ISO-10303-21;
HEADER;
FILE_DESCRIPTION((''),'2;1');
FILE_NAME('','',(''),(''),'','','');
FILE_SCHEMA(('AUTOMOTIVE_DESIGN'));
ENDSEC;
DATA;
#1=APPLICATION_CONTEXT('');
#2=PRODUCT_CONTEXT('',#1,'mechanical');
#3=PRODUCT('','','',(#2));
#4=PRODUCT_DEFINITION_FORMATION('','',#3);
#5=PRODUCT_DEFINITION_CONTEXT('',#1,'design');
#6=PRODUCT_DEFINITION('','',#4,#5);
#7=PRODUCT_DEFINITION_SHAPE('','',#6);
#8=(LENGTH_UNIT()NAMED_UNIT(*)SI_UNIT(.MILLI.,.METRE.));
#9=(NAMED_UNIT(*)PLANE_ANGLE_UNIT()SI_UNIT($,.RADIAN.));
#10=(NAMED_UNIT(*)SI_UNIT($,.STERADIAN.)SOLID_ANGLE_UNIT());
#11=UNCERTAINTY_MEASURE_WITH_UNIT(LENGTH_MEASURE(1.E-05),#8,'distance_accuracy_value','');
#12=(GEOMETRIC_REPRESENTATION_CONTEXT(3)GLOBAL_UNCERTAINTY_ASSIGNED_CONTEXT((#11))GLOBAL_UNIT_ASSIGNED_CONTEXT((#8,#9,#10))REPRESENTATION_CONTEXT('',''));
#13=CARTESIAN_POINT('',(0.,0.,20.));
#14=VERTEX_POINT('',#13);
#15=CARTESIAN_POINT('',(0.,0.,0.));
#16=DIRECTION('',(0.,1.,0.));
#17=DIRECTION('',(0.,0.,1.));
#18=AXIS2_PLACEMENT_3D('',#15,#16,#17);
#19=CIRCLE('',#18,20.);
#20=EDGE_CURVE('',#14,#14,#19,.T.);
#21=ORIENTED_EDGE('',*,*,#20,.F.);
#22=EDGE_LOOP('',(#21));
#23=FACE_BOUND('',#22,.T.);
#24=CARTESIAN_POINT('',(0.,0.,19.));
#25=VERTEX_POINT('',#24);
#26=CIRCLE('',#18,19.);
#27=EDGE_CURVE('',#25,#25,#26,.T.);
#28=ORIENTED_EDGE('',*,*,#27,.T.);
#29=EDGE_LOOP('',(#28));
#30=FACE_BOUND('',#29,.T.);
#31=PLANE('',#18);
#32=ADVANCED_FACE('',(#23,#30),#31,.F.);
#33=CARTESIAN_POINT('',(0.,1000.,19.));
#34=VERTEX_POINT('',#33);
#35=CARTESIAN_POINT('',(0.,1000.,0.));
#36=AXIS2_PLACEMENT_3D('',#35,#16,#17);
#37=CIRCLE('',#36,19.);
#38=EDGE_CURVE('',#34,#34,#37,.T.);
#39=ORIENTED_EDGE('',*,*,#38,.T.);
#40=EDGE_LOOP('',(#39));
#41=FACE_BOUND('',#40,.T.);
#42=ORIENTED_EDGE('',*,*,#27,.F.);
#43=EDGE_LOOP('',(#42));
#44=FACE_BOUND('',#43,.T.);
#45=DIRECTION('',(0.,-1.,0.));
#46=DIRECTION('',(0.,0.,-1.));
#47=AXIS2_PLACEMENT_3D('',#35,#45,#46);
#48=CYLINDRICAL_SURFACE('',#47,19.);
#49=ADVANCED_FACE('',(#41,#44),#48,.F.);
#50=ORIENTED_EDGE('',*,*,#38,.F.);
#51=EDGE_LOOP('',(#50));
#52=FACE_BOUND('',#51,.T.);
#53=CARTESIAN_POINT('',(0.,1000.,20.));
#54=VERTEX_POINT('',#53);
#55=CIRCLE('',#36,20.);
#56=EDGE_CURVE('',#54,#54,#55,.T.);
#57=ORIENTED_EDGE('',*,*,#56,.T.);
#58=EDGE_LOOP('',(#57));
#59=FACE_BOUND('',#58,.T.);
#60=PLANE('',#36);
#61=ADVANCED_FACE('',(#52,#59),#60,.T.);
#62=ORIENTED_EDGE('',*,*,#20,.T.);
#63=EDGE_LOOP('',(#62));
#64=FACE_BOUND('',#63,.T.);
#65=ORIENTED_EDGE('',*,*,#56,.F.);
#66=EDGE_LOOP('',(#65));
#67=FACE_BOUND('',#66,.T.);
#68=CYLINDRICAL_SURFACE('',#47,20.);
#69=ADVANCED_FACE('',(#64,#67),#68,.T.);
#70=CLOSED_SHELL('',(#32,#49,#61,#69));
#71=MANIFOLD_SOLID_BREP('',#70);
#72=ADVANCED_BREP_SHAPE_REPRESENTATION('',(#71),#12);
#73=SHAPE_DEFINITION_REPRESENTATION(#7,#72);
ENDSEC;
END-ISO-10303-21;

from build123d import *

# Parameters (mm, degrees)
SKETCH_1_R      = 20
SKETCH_1_R_2    = 19
EXTRUDE_1_DEPTH = 1000


with BuildPart() as part:
    # Эскиз1 → Бобышка-Вытянуть1 (new body)
    with BuildSketch(Plane(origin=(0, 0, 0), x_dir=(1, 0, 0), z_dir=(0, 1, 0))):
        with Locations(Location((0, 0, 0), (0, 0, 270))):
            Circle(SKETCH_1_R)
        with Locations(Location((0, 0, 0), (0, 0, 270))):
            Circle(SKETCH_1_R_2, mode=Mode.SUBTRACT)
    extrude(amount=EXTRUDE_1_DEPTH)


solid = part.part
